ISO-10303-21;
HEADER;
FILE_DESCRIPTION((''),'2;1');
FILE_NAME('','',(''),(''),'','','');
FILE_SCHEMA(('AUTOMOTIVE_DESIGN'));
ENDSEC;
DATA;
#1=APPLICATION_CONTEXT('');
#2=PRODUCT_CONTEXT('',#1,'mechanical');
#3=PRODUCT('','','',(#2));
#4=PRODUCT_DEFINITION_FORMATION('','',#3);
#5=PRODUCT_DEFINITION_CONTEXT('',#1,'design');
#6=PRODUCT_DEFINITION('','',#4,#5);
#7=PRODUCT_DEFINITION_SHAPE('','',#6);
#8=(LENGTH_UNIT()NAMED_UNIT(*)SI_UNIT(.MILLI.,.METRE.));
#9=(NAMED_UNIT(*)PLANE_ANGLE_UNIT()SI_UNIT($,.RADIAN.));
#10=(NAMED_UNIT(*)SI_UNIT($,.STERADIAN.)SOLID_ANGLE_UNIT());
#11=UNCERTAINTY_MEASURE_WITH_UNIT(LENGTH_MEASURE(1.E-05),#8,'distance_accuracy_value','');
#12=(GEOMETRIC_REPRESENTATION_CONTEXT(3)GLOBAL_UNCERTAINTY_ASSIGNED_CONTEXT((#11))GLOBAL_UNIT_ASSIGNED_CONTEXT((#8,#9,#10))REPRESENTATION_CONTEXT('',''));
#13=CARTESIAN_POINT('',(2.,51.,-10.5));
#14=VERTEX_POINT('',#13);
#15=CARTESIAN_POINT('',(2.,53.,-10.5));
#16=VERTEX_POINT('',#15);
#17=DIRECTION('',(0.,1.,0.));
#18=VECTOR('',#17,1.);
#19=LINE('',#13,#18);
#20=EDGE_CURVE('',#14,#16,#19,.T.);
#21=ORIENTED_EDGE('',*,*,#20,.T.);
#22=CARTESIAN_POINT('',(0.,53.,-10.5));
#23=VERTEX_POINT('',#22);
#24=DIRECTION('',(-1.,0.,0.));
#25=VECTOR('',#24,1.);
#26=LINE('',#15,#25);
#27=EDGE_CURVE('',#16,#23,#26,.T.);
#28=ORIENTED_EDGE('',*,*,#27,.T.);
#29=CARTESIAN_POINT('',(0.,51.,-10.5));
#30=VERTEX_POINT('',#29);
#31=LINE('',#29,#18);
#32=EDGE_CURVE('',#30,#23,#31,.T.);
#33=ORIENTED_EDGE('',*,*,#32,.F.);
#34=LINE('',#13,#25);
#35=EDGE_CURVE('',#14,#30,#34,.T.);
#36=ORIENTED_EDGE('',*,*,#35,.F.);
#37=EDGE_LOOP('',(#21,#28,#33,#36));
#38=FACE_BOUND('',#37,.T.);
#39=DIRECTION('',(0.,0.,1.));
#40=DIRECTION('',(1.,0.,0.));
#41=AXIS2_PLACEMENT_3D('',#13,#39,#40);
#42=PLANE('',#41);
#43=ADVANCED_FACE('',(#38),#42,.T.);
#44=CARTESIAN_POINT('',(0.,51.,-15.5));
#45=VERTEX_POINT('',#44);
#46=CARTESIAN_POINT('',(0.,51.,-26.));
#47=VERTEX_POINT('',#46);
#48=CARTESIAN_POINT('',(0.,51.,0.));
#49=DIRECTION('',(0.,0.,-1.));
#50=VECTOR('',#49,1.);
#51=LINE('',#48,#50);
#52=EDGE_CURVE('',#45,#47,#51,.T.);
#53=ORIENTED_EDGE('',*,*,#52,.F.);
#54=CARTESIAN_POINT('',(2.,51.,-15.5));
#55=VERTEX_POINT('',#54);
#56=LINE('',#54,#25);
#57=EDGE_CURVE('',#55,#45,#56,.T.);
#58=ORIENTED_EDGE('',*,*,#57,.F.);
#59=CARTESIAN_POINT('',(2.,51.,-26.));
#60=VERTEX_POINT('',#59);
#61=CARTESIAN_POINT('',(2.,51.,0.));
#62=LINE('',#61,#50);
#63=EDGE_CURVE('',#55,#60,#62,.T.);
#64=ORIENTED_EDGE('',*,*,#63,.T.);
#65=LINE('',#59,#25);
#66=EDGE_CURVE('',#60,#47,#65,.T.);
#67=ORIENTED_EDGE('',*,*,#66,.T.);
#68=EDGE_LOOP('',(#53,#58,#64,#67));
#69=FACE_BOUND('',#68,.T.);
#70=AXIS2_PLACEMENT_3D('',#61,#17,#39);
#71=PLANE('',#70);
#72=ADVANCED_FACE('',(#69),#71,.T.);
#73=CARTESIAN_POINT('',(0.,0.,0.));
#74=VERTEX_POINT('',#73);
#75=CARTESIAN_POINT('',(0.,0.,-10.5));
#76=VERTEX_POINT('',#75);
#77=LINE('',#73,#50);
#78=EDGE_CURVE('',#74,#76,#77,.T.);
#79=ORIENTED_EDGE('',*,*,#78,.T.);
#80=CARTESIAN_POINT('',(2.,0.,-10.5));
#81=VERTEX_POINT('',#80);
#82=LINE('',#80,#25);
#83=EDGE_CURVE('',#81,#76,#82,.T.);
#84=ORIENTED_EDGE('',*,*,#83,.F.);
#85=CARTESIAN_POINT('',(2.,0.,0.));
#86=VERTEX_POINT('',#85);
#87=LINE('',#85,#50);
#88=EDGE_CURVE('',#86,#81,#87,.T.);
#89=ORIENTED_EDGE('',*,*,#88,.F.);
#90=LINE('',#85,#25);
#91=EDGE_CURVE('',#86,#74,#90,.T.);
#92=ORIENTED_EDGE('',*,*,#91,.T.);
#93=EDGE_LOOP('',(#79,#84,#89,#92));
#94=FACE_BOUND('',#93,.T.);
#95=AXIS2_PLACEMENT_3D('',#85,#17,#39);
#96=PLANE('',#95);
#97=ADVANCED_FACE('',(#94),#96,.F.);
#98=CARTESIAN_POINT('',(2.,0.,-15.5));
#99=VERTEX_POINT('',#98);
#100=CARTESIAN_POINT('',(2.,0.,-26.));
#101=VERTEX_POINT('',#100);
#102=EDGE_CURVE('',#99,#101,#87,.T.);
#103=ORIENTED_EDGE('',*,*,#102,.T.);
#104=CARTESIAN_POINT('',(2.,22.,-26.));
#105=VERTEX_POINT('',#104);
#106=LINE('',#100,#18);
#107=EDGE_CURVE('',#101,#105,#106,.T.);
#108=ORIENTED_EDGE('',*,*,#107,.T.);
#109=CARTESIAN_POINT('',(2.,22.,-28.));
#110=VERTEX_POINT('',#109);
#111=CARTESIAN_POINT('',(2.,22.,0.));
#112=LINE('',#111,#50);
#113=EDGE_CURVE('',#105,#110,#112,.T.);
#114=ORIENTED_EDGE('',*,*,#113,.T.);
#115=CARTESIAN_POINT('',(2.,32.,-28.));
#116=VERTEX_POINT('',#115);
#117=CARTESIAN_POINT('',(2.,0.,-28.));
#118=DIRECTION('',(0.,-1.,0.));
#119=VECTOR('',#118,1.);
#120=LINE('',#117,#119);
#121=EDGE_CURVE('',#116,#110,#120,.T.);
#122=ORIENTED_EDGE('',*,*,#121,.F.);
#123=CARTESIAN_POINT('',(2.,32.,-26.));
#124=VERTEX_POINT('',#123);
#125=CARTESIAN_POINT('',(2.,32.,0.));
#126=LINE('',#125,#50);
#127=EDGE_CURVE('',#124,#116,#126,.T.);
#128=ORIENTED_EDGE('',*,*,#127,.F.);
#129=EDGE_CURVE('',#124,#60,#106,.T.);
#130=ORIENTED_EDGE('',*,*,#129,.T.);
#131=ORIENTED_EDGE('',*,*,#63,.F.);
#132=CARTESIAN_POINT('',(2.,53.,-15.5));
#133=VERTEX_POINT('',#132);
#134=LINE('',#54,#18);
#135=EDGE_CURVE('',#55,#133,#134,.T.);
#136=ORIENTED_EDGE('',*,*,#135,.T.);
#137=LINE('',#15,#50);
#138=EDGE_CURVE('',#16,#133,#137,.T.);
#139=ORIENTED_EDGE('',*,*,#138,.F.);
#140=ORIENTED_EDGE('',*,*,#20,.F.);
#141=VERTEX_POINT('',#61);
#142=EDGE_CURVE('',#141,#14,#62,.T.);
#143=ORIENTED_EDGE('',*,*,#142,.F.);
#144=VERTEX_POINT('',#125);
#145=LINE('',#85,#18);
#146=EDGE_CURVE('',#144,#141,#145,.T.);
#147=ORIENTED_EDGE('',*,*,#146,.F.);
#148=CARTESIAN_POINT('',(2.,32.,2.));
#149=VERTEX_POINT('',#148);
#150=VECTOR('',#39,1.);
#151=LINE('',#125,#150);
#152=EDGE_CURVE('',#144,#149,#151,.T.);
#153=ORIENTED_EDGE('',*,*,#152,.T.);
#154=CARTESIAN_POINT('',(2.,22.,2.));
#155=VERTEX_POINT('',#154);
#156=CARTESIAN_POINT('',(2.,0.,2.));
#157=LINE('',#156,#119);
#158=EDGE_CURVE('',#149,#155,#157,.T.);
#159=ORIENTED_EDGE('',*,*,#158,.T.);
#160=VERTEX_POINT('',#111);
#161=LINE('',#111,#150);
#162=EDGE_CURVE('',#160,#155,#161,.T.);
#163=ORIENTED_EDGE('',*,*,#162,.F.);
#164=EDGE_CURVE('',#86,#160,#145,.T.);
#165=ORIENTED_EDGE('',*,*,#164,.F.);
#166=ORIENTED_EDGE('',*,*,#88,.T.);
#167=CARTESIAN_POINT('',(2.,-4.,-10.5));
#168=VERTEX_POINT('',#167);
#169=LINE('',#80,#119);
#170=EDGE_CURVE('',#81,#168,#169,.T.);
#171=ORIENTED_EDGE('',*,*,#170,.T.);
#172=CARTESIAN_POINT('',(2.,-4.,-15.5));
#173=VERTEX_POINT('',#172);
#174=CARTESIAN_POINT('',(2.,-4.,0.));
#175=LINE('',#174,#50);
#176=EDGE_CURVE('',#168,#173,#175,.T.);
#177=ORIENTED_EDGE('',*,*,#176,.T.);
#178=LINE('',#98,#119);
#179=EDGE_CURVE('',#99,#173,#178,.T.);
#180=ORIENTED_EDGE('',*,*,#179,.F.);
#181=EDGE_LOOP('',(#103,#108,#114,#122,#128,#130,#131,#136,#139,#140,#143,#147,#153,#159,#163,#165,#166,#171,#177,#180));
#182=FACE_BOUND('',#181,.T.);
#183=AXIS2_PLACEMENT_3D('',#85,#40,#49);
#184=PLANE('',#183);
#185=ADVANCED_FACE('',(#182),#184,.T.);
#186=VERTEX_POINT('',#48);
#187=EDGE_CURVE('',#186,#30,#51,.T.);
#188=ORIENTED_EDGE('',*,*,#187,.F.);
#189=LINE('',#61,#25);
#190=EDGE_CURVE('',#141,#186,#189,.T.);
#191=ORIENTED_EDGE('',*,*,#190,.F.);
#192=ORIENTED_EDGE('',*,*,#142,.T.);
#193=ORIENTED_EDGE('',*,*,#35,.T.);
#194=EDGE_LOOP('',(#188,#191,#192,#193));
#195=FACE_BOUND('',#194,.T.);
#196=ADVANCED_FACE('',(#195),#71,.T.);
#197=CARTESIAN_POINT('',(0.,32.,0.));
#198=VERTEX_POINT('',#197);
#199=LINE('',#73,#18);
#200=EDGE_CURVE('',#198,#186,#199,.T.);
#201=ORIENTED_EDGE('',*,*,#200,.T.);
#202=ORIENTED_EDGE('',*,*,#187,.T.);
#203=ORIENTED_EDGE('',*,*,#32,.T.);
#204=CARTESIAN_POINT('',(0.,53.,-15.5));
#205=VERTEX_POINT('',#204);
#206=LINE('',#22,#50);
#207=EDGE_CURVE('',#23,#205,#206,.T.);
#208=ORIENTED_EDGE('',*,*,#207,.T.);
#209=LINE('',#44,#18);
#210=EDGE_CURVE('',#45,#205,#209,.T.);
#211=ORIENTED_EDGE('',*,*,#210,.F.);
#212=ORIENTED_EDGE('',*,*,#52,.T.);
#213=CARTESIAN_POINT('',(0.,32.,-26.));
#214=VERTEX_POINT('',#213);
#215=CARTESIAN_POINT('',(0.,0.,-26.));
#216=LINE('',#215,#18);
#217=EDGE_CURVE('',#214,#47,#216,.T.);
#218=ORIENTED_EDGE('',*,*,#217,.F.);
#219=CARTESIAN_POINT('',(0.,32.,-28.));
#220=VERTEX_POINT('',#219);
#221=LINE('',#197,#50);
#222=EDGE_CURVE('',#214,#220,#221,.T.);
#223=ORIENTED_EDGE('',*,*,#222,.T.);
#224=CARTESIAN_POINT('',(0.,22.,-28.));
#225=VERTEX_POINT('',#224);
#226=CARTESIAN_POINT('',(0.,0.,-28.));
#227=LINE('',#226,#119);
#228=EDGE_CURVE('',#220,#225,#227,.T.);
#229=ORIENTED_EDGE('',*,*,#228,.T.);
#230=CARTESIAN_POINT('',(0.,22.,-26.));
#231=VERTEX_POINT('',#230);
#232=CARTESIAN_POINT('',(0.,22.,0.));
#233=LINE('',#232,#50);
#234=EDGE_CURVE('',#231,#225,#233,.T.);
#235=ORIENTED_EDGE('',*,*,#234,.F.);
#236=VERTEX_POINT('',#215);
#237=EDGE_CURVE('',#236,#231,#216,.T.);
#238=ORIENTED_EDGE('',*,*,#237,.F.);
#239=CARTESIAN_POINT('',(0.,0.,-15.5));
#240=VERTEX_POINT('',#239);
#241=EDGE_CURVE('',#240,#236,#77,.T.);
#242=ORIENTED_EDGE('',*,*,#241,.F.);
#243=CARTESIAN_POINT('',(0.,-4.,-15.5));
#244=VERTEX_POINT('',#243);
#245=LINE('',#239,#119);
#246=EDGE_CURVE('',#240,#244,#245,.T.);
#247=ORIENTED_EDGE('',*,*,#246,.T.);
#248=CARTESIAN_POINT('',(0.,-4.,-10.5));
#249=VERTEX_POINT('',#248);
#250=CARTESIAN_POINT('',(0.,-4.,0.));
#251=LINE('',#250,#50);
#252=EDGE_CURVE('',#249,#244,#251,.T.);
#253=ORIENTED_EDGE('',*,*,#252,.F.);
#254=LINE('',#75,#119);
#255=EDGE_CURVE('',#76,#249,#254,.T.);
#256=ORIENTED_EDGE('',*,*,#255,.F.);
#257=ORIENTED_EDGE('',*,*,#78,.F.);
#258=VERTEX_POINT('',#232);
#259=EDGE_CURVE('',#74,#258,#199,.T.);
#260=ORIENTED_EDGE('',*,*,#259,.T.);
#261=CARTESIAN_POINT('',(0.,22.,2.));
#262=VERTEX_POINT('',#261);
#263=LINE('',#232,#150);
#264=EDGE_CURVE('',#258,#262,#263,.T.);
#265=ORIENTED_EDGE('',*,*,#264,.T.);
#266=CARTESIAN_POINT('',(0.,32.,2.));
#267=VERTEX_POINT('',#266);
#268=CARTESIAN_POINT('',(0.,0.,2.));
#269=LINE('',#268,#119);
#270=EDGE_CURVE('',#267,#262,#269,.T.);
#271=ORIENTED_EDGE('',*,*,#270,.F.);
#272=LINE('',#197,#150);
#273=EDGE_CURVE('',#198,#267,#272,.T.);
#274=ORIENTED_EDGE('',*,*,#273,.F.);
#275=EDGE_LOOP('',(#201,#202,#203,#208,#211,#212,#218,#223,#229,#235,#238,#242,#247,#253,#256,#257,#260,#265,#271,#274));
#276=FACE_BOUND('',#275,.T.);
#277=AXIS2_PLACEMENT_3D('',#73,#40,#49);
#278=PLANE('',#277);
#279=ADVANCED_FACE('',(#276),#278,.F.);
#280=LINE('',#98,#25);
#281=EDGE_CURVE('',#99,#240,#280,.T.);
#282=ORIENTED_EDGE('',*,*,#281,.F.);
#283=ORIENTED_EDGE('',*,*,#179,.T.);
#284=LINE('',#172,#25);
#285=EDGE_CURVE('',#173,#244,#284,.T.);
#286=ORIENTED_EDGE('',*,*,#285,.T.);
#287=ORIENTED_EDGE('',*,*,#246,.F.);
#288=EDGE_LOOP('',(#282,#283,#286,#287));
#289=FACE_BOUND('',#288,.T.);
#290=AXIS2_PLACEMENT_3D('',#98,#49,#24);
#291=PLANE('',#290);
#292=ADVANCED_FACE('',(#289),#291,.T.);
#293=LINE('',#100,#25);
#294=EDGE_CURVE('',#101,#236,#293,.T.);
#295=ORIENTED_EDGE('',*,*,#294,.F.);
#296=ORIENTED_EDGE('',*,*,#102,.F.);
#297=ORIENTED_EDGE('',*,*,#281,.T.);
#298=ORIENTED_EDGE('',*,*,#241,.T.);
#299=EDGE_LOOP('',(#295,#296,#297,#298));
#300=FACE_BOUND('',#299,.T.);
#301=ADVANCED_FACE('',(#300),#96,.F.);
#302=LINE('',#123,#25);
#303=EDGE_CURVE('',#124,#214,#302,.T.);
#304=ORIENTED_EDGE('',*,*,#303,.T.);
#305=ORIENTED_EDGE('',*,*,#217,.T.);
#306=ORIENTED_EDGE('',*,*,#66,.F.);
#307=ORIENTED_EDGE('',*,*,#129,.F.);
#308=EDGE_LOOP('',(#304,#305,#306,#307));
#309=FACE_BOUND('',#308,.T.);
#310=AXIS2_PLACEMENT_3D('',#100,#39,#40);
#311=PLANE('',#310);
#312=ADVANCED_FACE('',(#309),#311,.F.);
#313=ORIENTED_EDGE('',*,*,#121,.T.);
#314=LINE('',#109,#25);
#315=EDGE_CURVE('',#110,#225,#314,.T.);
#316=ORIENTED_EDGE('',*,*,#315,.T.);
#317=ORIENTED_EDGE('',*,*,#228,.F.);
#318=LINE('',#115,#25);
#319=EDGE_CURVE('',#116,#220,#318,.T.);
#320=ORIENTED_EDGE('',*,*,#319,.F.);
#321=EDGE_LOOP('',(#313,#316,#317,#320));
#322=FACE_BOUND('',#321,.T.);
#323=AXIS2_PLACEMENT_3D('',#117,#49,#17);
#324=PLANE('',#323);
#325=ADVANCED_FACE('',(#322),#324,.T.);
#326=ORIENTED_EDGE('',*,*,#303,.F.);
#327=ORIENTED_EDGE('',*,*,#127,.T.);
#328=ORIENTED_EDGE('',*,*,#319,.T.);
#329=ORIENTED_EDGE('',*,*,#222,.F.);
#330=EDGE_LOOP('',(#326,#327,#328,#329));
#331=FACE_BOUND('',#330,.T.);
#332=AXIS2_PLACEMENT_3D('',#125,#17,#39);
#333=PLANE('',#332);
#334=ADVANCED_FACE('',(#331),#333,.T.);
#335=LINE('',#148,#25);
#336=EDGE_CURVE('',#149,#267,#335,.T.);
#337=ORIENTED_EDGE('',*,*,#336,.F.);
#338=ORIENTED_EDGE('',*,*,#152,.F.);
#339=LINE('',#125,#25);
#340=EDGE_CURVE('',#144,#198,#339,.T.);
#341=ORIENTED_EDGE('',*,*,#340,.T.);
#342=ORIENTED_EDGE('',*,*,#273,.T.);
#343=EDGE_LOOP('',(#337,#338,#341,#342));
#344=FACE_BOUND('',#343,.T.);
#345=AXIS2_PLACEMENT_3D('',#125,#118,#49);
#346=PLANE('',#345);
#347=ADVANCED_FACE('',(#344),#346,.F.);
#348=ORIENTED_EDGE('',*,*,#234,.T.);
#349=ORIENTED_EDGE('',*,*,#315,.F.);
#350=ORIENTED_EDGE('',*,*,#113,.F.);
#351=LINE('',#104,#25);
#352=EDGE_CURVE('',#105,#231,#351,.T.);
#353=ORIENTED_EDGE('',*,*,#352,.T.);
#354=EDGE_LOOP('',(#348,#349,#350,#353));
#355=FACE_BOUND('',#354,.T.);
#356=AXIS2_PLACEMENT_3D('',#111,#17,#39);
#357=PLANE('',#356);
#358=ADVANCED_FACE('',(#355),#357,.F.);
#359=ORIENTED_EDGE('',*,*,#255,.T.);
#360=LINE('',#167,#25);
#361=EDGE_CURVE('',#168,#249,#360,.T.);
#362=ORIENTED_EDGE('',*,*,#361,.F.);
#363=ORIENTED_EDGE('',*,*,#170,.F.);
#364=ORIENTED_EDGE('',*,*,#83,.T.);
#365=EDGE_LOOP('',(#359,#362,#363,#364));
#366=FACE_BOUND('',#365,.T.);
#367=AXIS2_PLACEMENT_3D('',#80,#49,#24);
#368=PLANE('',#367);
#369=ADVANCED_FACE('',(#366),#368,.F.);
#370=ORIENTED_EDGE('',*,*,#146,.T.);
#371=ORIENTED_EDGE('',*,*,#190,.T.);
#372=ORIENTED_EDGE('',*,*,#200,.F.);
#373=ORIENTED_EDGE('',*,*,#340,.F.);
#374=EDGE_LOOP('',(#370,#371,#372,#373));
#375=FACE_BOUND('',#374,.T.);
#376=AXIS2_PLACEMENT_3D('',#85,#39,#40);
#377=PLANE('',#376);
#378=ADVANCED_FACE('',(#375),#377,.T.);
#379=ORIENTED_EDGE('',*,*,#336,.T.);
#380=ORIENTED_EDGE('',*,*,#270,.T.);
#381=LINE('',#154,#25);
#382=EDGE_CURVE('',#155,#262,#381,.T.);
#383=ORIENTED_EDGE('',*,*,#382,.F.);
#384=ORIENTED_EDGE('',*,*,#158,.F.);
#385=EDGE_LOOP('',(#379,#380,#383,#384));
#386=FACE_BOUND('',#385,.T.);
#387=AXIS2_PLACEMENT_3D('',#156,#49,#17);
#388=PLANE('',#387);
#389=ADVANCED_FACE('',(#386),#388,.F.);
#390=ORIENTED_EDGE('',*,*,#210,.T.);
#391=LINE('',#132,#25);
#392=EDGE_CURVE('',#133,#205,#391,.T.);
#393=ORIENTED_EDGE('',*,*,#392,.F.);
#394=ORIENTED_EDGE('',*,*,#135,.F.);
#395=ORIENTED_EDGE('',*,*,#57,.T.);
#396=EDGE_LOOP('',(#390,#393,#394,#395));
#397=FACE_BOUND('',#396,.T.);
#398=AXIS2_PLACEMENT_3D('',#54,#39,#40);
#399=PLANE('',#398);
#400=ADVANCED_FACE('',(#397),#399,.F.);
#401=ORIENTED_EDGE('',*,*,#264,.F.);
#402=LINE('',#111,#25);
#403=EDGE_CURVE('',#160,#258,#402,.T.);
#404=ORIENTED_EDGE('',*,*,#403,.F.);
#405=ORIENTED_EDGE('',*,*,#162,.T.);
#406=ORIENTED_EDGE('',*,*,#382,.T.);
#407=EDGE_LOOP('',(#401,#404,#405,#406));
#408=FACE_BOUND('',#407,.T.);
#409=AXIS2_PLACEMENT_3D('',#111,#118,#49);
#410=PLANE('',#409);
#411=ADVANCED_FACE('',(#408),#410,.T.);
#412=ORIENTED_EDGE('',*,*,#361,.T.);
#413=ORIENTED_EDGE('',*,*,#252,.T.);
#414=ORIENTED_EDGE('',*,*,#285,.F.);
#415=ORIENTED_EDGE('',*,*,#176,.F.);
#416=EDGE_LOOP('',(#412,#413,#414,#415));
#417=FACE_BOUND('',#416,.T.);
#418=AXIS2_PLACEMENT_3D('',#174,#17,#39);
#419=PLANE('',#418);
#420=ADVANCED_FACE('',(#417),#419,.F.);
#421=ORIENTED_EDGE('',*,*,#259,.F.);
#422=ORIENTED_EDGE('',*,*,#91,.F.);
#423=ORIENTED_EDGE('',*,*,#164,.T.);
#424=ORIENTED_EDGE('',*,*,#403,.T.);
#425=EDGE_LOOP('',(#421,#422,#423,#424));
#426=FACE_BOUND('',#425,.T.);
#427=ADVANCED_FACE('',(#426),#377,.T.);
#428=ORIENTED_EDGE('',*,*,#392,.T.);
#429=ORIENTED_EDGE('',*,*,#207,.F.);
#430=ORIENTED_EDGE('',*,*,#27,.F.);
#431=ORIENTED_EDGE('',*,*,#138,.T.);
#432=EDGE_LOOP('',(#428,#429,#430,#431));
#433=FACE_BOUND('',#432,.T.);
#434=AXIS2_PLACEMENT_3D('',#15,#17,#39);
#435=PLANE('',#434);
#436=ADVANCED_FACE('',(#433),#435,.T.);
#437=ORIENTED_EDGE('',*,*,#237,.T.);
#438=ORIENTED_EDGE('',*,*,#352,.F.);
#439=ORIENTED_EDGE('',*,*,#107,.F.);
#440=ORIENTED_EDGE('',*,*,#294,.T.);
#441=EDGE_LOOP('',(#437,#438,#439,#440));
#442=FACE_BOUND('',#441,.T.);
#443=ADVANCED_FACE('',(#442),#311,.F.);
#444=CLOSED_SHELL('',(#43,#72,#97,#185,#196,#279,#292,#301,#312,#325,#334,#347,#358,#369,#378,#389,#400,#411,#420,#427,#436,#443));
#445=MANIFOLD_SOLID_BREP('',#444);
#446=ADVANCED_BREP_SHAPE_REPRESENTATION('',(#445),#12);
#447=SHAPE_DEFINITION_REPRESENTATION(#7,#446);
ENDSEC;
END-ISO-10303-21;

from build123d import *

# Parameters (mm, degrees)
BOSS_EXTRUDE1_DEPTH = 2


with BuildPart() as part:
    # Sketch1 → Boss-Extrude1 (new body)
    with BuildSketch(Plane(origin=(0, 0, 0), x_dir=(0, 0, -1), z_dir=(1, 0, 0))):
        Polygon((0, 0), (10.5, 0), (10.5, -4), (15.5, -4), (15.5, 0), (26, 0), (26, 22), (28, 22), (28, 32), (26, 32), (26, 51), (15.5, 51), (15.5, 53), (10.5, 53), (10.5, 51), (0, 51), (0, 32), (-2, 32), (-2, 22), (0, 22), align=None)
    extrude(amount=BOSS_EXTRUDE1_DEPTH)


solid = part.part
